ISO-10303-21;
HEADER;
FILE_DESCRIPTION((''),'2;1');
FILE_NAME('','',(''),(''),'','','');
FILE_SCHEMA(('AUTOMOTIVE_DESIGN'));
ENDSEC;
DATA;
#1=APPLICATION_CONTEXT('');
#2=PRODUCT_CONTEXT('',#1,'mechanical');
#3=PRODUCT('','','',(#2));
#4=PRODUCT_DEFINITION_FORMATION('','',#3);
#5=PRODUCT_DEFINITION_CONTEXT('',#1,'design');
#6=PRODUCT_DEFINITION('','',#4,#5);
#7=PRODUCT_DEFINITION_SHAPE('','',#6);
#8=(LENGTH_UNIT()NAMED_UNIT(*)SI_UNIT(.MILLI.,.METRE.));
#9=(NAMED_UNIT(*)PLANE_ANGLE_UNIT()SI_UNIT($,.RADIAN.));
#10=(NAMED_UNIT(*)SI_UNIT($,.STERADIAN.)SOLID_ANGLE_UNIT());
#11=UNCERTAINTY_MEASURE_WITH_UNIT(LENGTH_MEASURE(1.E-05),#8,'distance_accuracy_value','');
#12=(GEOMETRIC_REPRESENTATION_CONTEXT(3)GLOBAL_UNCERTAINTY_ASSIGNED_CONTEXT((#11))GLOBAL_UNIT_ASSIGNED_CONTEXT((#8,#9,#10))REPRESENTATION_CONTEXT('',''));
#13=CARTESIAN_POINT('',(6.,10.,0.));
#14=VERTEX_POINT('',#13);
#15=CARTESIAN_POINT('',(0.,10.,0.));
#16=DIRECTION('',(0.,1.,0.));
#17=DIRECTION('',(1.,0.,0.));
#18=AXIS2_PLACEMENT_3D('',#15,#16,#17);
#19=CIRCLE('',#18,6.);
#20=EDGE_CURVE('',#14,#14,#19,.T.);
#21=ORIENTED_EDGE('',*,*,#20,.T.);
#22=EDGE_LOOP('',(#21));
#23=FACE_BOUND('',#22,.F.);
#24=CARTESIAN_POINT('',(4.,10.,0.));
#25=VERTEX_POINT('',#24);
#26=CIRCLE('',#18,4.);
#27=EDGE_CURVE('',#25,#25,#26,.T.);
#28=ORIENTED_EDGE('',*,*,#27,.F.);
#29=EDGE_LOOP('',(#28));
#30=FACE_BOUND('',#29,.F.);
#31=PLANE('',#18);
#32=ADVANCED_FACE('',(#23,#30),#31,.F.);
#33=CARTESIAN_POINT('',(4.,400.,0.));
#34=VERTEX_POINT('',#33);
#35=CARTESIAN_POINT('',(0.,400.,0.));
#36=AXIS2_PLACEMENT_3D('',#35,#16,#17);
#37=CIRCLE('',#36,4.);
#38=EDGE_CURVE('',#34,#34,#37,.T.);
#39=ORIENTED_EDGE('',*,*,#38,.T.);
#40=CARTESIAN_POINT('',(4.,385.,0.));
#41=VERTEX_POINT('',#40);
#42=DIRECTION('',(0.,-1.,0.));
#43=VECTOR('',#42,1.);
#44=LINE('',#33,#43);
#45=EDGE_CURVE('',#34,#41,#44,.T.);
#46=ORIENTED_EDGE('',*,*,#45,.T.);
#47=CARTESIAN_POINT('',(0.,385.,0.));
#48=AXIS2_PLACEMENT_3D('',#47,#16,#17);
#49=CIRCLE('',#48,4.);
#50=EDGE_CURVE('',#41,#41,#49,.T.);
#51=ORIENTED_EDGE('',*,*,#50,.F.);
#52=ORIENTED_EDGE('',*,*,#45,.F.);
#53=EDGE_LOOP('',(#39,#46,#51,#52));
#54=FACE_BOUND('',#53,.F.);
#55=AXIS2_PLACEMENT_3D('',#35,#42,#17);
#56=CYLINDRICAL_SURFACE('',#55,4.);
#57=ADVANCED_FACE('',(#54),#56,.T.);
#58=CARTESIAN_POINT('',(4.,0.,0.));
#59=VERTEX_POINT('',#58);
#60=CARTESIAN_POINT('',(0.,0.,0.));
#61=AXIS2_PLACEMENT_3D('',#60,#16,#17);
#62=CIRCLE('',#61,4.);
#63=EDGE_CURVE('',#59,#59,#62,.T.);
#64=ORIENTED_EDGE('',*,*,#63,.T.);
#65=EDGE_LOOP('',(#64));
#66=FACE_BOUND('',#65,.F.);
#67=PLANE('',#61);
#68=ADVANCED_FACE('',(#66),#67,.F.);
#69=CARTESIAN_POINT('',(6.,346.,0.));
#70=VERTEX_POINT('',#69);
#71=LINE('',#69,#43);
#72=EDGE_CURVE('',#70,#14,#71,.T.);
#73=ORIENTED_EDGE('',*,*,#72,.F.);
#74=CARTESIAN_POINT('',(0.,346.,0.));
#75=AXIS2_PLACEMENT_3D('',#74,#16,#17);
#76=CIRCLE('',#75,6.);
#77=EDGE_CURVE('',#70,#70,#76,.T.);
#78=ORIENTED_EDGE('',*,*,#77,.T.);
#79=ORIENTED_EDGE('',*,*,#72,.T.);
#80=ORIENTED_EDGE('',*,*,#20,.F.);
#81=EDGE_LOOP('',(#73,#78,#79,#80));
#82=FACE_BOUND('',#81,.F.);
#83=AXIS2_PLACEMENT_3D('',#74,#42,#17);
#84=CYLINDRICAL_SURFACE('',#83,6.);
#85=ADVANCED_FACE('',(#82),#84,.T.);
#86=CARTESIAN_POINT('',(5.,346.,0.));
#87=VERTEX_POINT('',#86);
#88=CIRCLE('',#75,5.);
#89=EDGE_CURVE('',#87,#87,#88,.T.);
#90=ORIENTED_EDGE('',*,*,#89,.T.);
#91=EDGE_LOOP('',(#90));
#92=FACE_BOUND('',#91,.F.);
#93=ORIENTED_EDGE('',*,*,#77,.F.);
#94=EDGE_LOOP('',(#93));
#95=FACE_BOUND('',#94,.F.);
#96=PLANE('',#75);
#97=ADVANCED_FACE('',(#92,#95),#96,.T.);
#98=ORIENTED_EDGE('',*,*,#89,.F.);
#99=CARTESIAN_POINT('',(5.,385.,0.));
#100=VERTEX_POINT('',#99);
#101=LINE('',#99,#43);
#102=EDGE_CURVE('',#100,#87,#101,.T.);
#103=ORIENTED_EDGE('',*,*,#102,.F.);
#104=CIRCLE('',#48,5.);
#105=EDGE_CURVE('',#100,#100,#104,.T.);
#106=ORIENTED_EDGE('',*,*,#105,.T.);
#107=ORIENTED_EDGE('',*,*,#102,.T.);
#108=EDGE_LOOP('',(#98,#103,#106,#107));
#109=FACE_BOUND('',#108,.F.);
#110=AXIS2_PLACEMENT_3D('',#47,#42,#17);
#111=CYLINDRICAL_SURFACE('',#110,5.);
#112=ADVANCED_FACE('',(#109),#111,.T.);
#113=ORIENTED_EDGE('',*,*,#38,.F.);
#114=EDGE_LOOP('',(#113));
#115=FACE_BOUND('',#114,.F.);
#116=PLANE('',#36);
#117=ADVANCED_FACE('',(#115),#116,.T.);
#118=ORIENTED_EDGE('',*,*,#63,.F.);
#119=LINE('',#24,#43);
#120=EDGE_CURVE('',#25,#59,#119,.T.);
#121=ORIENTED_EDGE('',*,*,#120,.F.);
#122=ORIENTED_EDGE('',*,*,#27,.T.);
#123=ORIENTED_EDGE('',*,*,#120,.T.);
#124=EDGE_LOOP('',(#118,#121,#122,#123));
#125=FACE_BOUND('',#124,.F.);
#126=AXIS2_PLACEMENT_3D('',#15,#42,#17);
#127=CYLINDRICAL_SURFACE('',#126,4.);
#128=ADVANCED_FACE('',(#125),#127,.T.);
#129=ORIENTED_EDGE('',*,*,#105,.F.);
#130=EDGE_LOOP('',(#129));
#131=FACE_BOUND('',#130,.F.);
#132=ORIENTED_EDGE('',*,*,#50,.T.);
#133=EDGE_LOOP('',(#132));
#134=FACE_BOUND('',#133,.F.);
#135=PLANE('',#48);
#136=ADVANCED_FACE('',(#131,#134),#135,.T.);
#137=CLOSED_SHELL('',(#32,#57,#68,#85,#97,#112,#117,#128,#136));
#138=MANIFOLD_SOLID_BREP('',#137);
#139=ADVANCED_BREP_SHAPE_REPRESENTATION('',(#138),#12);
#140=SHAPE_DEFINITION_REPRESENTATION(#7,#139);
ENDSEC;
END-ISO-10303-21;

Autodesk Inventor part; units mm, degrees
ref_plane "YZ Plane" through (0, 0, 0) normal (1, 0, 0) x (0, 1, 0)
ref_plane "XZ Plane" through (0, 0, 0) normal (0, 1, 0) x (-1, 0, 0)
ref_plane "XY Plane" through (0, 0, 0) normal (0, 0, 1) x (1, 0, 0)
sketch "Sketch1" plane through (0, 0, 0) normal (0, 0, 1) x (1, 0, 0)
  line L0 (0, 0) -> (0, 400)
  line L1 (0, 400) -> (4, 400)
  line L2 (4, 400) -> (4, 385)
  line L3 (4, 385) -> (5, 385)
  line L4 (5, 385) -> (5, 346)
  line L5 (5, 346) -> (6, 346)
  line L6 (6, 346) -> (6, 10)
  line L7 (6, 10) -> (4, 10)
  line L8 (4, 10) -> (4, 0)
  line L9 (4, 0) -> (0, 0)
  dimension "d0" = 400
  dimension "d1" = 8
  dimension "d2" = 10
  dimension "d3" = 12
  dimension "d4" = 10
  dimension "d5" = 8
  dimension "d6" = 15
  dimension "d7" = 39
revolve "Revolution1" add sketch "Sketch1" angle 360 about axis through (0, 0, 0) along (0, 1, 0)
thread "Thread1" size "TR12x2" class "7e" standard "ISO Metric Trapezoidal Threads" full length
properties part number "Z Axis Ball Screw" material "Stainless Steel"
